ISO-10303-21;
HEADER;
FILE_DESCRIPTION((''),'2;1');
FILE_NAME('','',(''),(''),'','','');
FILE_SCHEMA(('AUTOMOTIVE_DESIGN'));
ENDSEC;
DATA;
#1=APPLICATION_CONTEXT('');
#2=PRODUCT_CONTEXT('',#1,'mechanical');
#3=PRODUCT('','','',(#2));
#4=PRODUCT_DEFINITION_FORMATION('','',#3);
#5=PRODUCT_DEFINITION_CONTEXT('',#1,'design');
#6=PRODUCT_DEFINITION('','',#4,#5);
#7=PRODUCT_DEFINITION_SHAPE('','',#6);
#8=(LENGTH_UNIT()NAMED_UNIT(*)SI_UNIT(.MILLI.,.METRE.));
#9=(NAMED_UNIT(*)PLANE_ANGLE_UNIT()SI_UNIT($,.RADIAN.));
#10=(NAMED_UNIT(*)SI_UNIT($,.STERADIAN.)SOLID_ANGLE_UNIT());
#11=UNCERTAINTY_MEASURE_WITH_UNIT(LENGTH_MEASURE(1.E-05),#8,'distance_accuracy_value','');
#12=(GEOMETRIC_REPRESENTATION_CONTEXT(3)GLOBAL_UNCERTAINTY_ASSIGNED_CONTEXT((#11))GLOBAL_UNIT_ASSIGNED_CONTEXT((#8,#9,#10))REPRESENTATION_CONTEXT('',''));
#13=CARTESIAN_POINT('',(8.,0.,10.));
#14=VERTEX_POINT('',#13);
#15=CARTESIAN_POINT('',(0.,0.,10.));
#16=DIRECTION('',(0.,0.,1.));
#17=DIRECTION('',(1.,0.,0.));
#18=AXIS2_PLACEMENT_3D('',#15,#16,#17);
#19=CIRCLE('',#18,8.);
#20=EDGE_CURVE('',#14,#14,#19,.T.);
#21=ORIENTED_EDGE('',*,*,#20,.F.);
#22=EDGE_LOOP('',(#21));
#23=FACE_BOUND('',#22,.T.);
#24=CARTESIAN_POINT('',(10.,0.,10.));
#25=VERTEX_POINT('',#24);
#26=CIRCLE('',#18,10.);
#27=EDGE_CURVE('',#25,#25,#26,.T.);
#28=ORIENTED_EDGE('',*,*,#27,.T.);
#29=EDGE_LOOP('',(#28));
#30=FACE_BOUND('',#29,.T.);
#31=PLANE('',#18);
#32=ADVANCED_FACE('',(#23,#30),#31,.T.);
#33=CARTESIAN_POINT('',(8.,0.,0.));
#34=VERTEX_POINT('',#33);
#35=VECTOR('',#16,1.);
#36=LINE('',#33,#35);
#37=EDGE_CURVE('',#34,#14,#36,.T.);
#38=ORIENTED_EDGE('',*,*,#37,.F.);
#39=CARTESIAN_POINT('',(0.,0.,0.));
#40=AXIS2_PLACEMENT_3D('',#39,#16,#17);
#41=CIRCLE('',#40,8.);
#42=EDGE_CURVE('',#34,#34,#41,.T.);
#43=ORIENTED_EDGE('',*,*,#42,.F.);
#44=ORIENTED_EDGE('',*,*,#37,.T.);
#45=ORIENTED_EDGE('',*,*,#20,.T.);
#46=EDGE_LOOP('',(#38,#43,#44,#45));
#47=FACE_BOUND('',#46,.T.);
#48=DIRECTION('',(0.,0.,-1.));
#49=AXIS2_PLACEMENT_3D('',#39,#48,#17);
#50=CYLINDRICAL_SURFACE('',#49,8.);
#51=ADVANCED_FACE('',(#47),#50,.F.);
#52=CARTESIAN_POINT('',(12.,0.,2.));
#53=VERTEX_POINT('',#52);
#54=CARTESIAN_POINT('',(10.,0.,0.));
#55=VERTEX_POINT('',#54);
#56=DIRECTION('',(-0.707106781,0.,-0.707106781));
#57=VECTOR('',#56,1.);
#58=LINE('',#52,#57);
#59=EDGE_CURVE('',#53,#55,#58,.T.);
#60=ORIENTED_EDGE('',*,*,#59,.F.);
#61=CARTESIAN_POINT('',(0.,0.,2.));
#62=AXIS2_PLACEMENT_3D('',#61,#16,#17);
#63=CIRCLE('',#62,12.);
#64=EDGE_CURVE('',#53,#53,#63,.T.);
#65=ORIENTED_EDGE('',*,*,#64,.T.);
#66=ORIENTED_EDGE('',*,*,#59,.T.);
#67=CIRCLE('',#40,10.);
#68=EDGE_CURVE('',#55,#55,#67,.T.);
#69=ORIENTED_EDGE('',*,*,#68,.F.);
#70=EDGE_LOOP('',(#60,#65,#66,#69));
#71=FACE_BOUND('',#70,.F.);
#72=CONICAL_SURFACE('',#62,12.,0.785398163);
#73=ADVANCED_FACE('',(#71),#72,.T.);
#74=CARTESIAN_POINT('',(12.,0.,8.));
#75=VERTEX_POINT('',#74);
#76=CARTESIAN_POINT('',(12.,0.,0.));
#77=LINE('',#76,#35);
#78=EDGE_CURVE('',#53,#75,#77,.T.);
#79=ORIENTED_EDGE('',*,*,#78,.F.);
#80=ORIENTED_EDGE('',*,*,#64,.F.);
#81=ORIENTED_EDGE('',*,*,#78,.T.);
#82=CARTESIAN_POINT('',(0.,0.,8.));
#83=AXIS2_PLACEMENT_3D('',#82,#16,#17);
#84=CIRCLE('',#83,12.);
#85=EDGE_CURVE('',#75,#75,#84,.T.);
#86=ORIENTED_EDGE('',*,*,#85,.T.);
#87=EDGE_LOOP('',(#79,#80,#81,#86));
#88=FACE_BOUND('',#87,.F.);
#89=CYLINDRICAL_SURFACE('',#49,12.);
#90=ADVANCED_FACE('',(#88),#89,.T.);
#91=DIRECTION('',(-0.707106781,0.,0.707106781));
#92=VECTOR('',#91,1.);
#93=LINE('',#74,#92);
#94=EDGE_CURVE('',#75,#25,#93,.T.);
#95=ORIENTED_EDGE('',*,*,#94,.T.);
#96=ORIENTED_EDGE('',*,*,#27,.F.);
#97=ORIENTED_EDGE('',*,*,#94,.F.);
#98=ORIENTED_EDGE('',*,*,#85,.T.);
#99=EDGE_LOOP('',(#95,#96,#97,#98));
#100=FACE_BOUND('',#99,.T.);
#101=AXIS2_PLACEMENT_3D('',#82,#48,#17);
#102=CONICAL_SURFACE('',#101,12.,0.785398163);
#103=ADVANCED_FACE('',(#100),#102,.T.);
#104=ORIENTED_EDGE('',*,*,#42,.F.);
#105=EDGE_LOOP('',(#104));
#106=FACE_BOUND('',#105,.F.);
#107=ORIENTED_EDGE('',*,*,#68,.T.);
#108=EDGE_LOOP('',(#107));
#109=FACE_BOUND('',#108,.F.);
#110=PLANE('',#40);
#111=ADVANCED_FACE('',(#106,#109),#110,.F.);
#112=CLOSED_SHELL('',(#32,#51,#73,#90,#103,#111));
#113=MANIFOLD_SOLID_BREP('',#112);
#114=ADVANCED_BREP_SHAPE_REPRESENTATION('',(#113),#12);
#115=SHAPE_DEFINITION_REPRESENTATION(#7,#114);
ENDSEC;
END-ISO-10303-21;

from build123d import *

# Parameters (mm, degrees)
CYLINDER017_R     = 8
CYLINDER017_DEPTH = 10
CYLINDER016_R     = 12
CYLINDER016_DEPTH = 10
CHAMFER008_SIZE   = 2


with BuildPart() as cylindre001:
    # Cylinder017 → Cylinder017 (new body)
    with BuildSketch(Plane.XY):
        Circle(CYLINDER017_R)
    extrude(amount=CYLINDER017_DEPTH)


with BuildPart() as chamfer008:
    # Cylinder016 → Cylinder016 (new body)
    with BuildSketch(Plane.XY):
        Circle(CYLINDER016_R)
    extrude(amount=CYLINDER016_DEPTH)

    # Cut008: cut Cylindre001
    add(cylindre001.part, mode=Mode.SUBTRACT)

    # Chamfer008
    chamfer008_edges = [chamfer008.edges().sort_by_distance(p)[0] for p in [
        (-12, 0, 10),
        (-12, 0, 0),
    ]]
    chamfer(chamfer008_edges, length=CHAMFER008_SIZE)


solid = chamfer008.part
